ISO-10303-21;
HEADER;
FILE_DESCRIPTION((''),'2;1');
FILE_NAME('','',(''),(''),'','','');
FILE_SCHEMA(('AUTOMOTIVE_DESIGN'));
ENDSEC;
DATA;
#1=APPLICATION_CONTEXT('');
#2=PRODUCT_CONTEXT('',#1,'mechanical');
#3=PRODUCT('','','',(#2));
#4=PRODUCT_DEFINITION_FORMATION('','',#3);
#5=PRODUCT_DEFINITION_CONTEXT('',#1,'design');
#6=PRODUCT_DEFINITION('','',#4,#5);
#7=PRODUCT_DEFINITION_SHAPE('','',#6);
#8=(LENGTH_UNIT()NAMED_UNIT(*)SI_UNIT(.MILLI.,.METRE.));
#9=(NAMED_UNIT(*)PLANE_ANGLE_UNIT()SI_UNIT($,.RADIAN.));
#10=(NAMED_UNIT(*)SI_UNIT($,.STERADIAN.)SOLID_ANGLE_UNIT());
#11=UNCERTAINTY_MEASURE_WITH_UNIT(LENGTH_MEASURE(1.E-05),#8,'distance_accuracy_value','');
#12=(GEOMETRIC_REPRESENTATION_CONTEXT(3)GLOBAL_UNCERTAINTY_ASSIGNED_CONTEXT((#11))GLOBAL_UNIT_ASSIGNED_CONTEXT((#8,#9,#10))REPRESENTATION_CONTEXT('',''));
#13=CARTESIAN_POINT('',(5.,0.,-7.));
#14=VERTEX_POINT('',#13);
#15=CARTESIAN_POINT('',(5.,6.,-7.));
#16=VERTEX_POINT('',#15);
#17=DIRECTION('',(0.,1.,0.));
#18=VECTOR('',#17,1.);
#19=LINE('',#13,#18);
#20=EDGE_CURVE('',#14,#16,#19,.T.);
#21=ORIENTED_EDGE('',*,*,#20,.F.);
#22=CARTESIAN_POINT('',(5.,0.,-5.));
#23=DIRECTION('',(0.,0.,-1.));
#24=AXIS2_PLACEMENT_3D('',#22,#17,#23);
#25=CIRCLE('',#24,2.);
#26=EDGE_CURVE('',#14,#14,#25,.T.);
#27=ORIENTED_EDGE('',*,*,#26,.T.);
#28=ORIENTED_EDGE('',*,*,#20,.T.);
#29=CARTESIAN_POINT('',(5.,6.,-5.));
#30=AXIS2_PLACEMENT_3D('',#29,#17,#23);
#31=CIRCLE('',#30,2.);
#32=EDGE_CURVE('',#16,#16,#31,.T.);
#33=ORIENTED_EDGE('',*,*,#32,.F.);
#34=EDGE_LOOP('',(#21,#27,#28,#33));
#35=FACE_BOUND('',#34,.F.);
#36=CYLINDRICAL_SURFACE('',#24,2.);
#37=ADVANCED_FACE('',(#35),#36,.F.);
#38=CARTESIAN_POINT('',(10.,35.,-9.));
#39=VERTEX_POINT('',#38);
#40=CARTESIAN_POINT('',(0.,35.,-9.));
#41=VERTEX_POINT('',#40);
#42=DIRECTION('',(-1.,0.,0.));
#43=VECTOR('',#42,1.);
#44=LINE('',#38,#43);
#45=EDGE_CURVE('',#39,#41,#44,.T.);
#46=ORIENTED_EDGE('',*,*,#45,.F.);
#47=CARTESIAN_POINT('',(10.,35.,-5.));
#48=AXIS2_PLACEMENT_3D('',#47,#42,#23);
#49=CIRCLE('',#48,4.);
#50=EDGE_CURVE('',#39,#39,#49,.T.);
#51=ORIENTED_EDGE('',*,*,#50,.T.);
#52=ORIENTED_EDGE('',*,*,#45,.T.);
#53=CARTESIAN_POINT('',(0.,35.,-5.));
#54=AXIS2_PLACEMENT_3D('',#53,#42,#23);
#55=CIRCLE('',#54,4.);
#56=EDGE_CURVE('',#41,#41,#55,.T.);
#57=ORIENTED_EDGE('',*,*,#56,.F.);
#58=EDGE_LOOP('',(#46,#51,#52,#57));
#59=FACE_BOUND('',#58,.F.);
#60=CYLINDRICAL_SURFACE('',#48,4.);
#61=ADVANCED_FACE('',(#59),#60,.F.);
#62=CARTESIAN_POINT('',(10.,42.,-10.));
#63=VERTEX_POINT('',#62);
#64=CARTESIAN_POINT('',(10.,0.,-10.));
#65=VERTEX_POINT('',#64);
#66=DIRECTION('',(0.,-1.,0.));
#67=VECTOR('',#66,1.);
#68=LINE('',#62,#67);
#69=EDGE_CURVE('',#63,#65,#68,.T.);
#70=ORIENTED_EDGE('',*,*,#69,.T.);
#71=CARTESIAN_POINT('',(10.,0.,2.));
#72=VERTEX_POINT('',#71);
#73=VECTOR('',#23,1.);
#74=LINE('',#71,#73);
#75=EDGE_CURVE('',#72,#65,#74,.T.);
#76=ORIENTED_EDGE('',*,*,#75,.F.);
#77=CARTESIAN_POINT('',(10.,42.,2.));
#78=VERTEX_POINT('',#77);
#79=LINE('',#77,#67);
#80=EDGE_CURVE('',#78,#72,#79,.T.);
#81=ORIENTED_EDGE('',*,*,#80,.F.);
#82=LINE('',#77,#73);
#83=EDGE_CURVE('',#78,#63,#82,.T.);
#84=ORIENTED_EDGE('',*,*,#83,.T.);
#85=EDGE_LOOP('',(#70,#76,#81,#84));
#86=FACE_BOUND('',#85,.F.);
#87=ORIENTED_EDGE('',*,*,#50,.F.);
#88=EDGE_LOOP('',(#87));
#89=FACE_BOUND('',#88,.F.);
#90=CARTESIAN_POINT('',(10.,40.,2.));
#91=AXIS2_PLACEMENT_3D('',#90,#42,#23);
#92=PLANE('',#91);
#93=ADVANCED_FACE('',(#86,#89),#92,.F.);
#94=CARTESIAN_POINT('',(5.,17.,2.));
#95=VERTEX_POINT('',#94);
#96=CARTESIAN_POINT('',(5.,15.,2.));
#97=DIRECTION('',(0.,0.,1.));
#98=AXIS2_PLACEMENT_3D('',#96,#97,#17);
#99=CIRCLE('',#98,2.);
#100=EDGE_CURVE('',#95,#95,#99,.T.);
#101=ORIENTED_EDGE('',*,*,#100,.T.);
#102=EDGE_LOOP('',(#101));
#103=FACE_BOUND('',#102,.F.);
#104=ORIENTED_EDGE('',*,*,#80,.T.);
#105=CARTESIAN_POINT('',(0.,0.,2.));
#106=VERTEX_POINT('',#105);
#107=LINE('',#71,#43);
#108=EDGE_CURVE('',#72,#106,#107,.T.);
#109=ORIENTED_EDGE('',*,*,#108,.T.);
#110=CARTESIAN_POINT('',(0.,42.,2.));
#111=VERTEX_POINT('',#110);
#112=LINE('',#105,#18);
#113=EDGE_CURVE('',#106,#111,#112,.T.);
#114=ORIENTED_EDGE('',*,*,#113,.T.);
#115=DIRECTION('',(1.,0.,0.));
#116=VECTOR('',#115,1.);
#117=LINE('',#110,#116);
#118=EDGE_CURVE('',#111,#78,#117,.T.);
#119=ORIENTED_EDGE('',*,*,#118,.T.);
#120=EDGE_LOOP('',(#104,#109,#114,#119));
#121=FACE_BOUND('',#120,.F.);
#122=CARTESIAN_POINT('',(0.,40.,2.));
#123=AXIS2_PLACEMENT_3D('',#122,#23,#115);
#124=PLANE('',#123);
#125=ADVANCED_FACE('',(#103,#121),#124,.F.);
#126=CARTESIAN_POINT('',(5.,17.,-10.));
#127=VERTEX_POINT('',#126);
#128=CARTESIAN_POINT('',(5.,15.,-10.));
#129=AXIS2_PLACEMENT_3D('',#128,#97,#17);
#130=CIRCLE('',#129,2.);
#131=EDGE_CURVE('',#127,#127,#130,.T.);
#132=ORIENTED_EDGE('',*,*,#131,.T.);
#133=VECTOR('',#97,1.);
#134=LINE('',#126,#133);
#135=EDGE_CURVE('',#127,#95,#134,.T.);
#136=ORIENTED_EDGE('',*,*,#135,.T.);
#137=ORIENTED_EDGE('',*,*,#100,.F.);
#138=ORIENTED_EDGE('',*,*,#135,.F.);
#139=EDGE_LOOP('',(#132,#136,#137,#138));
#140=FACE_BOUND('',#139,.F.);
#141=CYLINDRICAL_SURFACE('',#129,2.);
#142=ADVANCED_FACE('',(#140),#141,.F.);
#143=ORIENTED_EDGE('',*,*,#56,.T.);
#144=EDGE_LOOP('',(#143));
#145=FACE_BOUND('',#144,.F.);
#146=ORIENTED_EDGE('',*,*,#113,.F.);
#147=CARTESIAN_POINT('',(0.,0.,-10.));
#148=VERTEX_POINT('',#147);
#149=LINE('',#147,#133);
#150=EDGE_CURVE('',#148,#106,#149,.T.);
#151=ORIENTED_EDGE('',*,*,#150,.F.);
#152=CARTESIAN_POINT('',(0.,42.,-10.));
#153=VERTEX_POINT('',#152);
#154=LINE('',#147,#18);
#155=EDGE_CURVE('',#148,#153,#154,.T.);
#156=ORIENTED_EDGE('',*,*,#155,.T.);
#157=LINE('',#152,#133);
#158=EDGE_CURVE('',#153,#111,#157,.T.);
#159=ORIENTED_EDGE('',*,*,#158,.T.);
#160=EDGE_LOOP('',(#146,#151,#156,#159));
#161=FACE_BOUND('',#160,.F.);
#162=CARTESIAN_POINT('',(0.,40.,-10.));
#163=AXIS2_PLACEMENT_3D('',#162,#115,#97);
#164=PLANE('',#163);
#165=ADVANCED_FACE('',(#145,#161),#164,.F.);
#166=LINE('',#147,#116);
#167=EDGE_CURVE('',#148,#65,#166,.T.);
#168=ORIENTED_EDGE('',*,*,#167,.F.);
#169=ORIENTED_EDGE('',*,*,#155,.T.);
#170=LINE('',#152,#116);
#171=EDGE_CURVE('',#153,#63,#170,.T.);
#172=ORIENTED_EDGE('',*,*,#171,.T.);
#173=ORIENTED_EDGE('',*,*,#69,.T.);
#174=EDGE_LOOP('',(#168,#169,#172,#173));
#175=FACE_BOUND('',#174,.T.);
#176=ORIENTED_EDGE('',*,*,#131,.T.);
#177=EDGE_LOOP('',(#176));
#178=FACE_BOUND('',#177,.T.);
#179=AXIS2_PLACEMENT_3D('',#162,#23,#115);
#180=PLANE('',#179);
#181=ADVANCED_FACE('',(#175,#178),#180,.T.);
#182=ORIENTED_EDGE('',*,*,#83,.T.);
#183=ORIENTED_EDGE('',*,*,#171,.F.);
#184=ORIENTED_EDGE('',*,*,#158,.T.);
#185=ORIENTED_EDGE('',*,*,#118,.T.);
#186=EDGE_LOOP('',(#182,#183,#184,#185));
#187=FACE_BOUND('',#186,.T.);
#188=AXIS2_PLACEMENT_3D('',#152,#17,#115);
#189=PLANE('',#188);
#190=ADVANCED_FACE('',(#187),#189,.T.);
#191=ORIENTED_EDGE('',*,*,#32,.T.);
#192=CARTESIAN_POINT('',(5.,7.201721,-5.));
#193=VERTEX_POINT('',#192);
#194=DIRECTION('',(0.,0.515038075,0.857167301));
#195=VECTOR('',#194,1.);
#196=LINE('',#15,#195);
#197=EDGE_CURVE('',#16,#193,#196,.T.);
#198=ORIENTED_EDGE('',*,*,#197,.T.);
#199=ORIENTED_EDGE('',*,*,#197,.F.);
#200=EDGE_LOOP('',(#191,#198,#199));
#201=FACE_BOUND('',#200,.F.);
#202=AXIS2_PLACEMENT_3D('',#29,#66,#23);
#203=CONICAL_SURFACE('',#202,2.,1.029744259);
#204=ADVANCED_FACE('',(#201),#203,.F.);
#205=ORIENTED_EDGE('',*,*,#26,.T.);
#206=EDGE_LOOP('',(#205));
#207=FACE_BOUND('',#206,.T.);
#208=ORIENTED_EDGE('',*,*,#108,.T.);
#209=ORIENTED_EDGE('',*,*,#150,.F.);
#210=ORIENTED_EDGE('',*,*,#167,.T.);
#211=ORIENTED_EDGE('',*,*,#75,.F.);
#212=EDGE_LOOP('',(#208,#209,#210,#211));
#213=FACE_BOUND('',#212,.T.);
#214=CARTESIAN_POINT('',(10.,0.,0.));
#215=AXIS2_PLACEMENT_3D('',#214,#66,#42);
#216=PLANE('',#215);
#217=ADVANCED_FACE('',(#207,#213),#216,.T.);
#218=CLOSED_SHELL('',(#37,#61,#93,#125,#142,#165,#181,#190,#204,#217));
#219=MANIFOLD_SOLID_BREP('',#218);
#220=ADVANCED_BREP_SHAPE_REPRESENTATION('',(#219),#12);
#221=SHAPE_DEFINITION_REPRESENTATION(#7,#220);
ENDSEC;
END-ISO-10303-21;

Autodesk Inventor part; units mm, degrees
ref_plane "YZ Plane" through (0, 0, 0) normal (1, 0, 0) x (0, 1, 0)
ref_plane "XZ Plane" through (0, 0, 0) normal (0, 1, 0) x (-1, 0, 0)
ref_plane "XY Plane" through (0, 0, 0) normal (0, 0, 1) x (1, 0, 0)
sketch "Esquisse1" plane through (0, 0, 0) normal (1, 0, 0) x (0, 1, 0)
  line L0 (0, 0) -> (40, 0)
  line L1 (40, 0) -> (40, -10)
  line L2 (40, -10) -> (0, -10)
  line L3 (0, -10) -> (0, 0)
  dimension "d0" = 40
  dimension "d1" = 10
extrude "Extrusion1" add sketch "Esquisse1" along normal blind 10
sketch "Esquisse2" plane through (10, 0, 0) normal (1, 0, 0) x (0, 0, -1)
  line L0 (10, 40) -> (0, 40) projected
  line L1 (0, 40) -> (0, 0) projected
  point P0 (5, 35)
  dimension "d4" = 5
  dimension "d5" = 5
hole "Perçage1" at (10, 35, -5) direction (-1, 0, 0) diameter 8 depth 10 tip angle 118
sketch "Esquisse3" plane through (0, 0, 0) normal (0, 0, 1) x (1, 0, 0)
  line L0 (0, 40) -> (0, 0) projected
  line L1 (10, 0) -> (10, 40) projected
  line L2 (0, 40) -> (10, 40)
  line L3 (10, 40) -> (10, 0)
  line L4 (10, 0) -> (0, 0)
  line L5 (0, 0) -> (0, 40)
extrude "Extrusion2" add sketch "Esquisse3" along normal blind 2
sketch "Esquisse4" plane through (0, 40, -10) normal (0, 1, 0) x (1, 0, 0)
  line L0 (0, 0) -> (0, -12) projected
  line L1 (0, 0) -> (10, 0) projected
  line L2 (0, -12) -> (10, -12)
  line L3 (10, -12) -> (10, 0)
  line L4 (10, 0) -> (0, 0)
  line L5 (0, 0) -> (0, -12)
  point P0 (0, -10)
extrude "Extrusion3" add sketch "Esquisse4" along normal blind 2
sketch "Esquisse5" plane through (10, 0, 0) normal (1, 0, 0) x (0, 0, -1)
  point P0 (0, 0)
sketch "Esquisse6" plane through (0, 0, -10) normal (0, -1, 0) x (1, 0, 0)
  line L0 (0, 0) -> (10, 0) projected
  line L1 (0, 0) -> (0, 12) projected
  point P0 (0, 10)
  point P1 (5, 5)
  dimension "d17" = 5
  dimension "d18" = 5
hole "Perçage2" at (5, 0, -5) direction (0, 1, 0) diameter 4 depth 6 tip angle 118
sketch "Esquisse7" plane through (10, 0, -10) normal (0, 0, -1) x (-1, 0, 0)
  line L0 (10, 0) -> (0, 0) projected
  line L1 (0, 0) -> (0, 42) projected
  point P0 (5, 15)
  dimension "d26" = 15
  dimension "d27" = 5
hole "Perçage3" at (5, 15, -10) direction (0, 0, 1) diameter 4 depth 12 tip angle 118
properties part number "SupportCodeuse"
